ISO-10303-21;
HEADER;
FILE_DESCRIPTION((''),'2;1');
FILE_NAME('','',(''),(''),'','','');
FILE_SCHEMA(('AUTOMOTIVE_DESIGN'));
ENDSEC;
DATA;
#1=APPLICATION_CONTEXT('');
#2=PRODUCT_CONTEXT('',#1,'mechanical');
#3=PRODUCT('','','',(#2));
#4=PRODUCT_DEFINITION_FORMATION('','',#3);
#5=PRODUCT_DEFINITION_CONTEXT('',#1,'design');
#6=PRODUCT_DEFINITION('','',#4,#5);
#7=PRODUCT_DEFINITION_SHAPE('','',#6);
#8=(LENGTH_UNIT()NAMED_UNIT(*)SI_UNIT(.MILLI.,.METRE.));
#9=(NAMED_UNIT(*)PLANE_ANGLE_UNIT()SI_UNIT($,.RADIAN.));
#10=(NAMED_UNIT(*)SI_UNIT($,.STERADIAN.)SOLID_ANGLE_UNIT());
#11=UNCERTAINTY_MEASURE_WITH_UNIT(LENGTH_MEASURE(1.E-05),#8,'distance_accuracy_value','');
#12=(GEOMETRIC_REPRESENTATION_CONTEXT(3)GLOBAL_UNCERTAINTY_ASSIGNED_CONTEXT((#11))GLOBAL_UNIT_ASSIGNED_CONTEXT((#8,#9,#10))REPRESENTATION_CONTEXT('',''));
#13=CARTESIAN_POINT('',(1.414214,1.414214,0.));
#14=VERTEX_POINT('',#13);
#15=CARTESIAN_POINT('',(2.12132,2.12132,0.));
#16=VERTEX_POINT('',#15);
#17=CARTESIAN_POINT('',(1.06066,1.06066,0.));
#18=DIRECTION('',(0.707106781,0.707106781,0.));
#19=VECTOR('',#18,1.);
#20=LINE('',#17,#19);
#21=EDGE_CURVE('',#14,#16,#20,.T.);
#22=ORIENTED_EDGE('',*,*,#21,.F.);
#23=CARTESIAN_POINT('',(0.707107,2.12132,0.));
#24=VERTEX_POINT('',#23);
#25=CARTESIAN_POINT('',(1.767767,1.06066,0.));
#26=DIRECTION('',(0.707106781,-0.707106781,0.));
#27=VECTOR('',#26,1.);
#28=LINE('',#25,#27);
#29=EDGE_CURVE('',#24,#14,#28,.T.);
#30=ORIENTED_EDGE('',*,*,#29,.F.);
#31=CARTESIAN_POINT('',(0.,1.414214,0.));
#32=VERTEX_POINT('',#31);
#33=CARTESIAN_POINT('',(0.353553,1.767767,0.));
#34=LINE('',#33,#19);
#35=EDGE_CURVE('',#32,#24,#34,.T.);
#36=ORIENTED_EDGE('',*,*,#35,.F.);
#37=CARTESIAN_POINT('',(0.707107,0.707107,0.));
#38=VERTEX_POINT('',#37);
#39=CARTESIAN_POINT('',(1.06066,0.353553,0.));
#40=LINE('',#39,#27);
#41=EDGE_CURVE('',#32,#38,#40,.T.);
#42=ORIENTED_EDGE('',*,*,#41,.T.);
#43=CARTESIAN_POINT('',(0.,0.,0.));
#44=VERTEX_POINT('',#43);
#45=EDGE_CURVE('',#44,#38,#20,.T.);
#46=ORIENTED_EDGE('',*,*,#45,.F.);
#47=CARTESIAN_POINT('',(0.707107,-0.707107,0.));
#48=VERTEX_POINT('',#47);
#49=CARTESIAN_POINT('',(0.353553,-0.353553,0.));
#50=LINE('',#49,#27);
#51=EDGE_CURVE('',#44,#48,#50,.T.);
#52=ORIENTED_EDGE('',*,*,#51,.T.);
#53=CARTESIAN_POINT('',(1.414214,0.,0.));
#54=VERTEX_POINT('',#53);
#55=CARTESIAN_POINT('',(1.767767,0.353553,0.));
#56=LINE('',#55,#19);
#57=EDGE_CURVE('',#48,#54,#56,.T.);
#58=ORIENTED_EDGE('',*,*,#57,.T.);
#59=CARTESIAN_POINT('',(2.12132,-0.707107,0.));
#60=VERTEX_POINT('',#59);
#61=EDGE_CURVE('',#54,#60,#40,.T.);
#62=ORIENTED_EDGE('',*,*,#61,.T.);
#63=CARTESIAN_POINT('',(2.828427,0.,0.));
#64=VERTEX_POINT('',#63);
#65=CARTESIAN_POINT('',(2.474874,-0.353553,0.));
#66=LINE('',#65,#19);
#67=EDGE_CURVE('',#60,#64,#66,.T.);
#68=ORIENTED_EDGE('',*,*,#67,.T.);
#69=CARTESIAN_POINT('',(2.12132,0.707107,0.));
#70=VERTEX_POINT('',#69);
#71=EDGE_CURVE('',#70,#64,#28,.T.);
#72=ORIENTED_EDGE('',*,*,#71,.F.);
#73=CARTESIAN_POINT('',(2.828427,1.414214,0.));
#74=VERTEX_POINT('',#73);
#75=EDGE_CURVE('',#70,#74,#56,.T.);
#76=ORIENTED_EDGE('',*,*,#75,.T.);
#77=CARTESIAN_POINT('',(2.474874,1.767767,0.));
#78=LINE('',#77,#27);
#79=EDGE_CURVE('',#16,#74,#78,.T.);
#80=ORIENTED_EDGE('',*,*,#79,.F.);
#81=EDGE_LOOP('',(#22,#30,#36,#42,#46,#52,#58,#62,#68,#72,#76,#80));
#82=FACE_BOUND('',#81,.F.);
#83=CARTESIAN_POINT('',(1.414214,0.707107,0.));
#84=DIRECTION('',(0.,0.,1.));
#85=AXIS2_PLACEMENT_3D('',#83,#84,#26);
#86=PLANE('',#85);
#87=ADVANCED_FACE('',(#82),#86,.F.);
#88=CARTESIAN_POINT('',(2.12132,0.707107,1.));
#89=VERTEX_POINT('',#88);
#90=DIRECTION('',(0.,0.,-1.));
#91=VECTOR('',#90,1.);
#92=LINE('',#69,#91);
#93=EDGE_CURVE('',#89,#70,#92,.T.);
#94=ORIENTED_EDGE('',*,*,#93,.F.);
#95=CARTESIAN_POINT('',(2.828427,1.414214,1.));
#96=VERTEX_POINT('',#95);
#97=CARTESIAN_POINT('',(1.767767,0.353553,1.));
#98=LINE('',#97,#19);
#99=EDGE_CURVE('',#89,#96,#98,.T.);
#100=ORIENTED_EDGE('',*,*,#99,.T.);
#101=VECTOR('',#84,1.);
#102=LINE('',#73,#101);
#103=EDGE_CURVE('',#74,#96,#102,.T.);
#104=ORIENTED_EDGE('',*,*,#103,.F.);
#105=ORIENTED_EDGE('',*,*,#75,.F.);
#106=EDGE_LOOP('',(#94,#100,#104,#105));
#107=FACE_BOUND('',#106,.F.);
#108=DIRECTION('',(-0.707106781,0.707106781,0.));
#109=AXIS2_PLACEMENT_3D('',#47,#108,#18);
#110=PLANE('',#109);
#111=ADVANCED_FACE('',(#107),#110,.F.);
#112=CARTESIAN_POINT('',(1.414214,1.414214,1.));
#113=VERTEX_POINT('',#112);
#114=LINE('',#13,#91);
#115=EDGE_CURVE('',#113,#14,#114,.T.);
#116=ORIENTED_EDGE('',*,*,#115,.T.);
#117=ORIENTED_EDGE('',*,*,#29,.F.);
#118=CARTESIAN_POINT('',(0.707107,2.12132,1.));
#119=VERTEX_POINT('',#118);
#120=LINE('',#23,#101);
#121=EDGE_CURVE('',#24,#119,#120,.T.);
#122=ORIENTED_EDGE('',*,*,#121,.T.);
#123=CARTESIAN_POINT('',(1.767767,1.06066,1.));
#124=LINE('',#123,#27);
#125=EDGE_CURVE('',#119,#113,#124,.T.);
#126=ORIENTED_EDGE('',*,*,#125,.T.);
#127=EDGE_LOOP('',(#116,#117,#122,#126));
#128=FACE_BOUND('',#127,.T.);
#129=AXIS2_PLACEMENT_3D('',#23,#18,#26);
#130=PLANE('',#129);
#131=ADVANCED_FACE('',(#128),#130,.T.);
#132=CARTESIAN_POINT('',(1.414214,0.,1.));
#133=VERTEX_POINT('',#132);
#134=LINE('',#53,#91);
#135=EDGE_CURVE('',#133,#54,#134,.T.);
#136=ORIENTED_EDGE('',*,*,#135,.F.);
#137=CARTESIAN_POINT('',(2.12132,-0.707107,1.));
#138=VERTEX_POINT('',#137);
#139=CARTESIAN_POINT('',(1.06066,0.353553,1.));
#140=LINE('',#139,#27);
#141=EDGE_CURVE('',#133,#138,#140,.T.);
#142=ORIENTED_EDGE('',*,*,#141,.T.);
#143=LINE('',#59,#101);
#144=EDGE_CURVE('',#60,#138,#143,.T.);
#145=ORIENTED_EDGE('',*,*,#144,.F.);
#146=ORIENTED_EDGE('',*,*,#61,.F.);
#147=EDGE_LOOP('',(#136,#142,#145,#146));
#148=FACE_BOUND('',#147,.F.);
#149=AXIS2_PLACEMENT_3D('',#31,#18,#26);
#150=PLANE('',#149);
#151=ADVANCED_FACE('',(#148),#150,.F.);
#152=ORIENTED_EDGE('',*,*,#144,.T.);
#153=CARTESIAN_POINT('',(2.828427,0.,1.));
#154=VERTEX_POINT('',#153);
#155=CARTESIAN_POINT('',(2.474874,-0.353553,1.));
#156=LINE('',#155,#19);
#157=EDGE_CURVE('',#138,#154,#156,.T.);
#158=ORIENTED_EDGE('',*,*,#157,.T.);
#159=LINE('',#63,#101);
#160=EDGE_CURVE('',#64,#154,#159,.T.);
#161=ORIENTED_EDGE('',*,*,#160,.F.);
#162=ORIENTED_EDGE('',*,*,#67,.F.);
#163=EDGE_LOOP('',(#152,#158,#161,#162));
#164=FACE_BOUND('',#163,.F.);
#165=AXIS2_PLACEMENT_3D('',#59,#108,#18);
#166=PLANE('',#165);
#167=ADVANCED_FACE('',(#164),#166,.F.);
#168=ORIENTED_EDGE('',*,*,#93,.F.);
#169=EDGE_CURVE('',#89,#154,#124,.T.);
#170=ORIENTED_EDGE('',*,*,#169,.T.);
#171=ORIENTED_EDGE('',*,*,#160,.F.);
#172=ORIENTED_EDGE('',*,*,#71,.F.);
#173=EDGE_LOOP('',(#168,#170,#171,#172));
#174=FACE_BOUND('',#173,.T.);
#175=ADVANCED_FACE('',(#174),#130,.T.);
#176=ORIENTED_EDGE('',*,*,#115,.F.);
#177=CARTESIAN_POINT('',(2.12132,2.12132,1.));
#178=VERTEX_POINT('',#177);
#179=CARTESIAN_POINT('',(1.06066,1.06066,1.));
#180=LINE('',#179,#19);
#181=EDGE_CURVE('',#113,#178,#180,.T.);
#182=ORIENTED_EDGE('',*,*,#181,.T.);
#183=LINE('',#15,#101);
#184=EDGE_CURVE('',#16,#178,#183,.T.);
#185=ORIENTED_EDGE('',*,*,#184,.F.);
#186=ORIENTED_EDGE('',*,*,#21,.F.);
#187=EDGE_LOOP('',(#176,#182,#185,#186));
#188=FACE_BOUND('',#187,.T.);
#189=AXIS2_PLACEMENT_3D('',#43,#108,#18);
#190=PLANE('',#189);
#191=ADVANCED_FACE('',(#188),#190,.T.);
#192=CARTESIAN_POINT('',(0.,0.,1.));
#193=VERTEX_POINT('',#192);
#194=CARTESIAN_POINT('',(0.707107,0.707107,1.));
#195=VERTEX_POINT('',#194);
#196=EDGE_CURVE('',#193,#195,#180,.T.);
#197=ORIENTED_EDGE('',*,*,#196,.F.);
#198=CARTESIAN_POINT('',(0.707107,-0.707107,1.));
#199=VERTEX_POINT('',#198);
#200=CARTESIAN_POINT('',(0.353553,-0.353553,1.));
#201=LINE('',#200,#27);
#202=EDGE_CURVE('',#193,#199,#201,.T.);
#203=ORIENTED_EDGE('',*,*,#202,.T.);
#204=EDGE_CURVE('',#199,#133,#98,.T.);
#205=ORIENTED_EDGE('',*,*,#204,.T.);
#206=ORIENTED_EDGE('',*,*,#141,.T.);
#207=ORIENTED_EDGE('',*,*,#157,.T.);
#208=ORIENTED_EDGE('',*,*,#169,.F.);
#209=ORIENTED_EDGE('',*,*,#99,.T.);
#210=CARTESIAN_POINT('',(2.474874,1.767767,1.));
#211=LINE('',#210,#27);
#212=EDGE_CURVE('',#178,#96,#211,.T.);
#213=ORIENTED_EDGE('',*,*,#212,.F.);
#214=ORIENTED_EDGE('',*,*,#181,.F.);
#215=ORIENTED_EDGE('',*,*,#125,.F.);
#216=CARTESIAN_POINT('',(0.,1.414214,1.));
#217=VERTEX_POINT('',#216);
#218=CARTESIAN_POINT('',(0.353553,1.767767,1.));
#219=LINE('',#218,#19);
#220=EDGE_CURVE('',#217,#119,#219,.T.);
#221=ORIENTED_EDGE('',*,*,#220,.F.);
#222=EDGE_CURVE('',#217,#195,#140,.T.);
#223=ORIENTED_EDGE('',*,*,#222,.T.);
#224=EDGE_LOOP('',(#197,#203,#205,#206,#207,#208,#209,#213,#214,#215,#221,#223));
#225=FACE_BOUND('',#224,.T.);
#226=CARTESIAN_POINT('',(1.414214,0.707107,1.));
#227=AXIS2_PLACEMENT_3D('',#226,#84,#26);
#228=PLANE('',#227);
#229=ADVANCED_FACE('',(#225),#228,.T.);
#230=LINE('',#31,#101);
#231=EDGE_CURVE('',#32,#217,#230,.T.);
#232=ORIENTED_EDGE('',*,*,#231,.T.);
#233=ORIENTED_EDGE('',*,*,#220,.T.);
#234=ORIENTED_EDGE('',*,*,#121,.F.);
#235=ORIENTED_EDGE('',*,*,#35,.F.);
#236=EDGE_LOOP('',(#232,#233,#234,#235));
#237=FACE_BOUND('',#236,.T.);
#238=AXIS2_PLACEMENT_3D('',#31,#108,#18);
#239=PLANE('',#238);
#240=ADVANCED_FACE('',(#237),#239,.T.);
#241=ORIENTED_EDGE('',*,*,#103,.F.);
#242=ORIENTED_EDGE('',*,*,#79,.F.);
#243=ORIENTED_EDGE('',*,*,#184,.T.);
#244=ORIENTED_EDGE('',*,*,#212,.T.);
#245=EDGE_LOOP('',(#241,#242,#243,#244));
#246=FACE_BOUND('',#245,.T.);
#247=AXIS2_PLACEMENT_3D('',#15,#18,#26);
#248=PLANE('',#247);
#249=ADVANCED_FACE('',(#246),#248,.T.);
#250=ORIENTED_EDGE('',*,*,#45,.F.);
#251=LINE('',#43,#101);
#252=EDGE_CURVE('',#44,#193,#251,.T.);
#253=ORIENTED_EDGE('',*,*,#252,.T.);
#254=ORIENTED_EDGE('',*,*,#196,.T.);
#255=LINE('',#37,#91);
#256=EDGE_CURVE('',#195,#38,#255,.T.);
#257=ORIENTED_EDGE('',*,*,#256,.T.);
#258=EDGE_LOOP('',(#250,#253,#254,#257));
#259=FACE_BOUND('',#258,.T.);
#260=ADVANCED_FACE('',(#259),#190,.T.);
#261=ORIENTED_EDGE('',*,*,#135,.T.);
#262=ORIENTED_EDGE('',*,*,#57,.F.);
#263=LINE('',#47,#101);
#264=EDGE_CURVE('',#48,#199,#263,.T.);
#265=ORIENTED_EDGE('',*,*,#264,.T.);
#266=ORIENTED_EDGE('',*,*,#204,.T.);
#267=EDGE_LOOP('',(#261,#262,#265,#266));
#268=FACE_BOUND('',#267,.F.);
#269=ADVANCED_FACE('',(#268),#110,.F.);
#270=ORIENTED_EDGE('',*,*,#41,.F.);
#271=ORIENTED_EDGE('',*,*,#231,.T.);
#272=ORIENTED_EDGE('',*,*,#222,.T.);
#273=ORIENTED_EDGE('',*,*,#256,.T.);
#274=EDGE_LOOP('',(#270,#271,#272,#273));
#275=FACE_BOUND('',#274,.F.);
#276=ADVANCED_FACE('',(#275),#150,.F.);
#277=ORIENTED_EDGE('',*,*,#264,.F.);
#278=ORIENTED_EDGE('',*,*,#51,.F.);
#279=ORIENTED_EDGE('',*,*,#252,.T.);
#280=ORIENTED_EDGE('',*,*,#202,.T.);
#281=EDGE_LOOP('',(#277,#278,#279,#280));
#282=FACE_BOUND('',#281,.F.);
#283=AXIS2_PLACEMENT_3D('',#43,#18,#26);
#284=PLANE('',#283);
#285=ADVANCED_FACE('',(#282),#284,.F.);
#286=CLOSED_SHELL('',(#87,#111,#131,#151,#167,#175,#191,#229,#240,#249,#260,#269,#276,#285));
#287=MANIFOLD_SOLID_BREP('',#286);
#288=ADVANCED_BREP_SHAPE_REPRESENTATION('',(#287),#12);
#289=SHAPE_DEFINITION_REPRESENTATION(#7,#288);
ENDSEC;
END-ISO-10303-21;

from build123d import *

# Parameters (mm, degrees)
BOX008_W                  = 3
BOX008_H                  = 1
BOX008_DEPTH              = 1
BOX009_W                  = 1
BOX009_H                  = 3
BOX009_DEPTH              = 1
FUSION002_PLACEMENT_ANGLE = 315


with BuildPart() as cube008:
    # Box008 → Box008 (new body)
    with BuildSketch(Plane(origin=(-1, 1, 0), x_dir=(1, 0, 0), z_dir=(0, 0, 1))):
        with Locations((1.5, 0.5)):
            Rectangle(BOX008_W, BOX008_H)
    extrude(amount=BOX008_DEPTH)


with BuildPart() as x:
    # Box009 → Box009 (new body)
    with BuildSketch(Plane.XY):
        with Locations((0.5, 1.5)):
            Rectangle(BOX009_W, BOX009_H)
    extrude(amount=BOX009_DEPTH)

    # Fusion002: union Cube008
    add(cube008.part)


with BuildPart() as x_1:
    # Fusion002 placement: moved
    add(x.part.rotate(Axis((0, 0, 0), (0, 0, 1)), FUSION002_PLACEMENT_ANGLE))


solid = x_1.part
